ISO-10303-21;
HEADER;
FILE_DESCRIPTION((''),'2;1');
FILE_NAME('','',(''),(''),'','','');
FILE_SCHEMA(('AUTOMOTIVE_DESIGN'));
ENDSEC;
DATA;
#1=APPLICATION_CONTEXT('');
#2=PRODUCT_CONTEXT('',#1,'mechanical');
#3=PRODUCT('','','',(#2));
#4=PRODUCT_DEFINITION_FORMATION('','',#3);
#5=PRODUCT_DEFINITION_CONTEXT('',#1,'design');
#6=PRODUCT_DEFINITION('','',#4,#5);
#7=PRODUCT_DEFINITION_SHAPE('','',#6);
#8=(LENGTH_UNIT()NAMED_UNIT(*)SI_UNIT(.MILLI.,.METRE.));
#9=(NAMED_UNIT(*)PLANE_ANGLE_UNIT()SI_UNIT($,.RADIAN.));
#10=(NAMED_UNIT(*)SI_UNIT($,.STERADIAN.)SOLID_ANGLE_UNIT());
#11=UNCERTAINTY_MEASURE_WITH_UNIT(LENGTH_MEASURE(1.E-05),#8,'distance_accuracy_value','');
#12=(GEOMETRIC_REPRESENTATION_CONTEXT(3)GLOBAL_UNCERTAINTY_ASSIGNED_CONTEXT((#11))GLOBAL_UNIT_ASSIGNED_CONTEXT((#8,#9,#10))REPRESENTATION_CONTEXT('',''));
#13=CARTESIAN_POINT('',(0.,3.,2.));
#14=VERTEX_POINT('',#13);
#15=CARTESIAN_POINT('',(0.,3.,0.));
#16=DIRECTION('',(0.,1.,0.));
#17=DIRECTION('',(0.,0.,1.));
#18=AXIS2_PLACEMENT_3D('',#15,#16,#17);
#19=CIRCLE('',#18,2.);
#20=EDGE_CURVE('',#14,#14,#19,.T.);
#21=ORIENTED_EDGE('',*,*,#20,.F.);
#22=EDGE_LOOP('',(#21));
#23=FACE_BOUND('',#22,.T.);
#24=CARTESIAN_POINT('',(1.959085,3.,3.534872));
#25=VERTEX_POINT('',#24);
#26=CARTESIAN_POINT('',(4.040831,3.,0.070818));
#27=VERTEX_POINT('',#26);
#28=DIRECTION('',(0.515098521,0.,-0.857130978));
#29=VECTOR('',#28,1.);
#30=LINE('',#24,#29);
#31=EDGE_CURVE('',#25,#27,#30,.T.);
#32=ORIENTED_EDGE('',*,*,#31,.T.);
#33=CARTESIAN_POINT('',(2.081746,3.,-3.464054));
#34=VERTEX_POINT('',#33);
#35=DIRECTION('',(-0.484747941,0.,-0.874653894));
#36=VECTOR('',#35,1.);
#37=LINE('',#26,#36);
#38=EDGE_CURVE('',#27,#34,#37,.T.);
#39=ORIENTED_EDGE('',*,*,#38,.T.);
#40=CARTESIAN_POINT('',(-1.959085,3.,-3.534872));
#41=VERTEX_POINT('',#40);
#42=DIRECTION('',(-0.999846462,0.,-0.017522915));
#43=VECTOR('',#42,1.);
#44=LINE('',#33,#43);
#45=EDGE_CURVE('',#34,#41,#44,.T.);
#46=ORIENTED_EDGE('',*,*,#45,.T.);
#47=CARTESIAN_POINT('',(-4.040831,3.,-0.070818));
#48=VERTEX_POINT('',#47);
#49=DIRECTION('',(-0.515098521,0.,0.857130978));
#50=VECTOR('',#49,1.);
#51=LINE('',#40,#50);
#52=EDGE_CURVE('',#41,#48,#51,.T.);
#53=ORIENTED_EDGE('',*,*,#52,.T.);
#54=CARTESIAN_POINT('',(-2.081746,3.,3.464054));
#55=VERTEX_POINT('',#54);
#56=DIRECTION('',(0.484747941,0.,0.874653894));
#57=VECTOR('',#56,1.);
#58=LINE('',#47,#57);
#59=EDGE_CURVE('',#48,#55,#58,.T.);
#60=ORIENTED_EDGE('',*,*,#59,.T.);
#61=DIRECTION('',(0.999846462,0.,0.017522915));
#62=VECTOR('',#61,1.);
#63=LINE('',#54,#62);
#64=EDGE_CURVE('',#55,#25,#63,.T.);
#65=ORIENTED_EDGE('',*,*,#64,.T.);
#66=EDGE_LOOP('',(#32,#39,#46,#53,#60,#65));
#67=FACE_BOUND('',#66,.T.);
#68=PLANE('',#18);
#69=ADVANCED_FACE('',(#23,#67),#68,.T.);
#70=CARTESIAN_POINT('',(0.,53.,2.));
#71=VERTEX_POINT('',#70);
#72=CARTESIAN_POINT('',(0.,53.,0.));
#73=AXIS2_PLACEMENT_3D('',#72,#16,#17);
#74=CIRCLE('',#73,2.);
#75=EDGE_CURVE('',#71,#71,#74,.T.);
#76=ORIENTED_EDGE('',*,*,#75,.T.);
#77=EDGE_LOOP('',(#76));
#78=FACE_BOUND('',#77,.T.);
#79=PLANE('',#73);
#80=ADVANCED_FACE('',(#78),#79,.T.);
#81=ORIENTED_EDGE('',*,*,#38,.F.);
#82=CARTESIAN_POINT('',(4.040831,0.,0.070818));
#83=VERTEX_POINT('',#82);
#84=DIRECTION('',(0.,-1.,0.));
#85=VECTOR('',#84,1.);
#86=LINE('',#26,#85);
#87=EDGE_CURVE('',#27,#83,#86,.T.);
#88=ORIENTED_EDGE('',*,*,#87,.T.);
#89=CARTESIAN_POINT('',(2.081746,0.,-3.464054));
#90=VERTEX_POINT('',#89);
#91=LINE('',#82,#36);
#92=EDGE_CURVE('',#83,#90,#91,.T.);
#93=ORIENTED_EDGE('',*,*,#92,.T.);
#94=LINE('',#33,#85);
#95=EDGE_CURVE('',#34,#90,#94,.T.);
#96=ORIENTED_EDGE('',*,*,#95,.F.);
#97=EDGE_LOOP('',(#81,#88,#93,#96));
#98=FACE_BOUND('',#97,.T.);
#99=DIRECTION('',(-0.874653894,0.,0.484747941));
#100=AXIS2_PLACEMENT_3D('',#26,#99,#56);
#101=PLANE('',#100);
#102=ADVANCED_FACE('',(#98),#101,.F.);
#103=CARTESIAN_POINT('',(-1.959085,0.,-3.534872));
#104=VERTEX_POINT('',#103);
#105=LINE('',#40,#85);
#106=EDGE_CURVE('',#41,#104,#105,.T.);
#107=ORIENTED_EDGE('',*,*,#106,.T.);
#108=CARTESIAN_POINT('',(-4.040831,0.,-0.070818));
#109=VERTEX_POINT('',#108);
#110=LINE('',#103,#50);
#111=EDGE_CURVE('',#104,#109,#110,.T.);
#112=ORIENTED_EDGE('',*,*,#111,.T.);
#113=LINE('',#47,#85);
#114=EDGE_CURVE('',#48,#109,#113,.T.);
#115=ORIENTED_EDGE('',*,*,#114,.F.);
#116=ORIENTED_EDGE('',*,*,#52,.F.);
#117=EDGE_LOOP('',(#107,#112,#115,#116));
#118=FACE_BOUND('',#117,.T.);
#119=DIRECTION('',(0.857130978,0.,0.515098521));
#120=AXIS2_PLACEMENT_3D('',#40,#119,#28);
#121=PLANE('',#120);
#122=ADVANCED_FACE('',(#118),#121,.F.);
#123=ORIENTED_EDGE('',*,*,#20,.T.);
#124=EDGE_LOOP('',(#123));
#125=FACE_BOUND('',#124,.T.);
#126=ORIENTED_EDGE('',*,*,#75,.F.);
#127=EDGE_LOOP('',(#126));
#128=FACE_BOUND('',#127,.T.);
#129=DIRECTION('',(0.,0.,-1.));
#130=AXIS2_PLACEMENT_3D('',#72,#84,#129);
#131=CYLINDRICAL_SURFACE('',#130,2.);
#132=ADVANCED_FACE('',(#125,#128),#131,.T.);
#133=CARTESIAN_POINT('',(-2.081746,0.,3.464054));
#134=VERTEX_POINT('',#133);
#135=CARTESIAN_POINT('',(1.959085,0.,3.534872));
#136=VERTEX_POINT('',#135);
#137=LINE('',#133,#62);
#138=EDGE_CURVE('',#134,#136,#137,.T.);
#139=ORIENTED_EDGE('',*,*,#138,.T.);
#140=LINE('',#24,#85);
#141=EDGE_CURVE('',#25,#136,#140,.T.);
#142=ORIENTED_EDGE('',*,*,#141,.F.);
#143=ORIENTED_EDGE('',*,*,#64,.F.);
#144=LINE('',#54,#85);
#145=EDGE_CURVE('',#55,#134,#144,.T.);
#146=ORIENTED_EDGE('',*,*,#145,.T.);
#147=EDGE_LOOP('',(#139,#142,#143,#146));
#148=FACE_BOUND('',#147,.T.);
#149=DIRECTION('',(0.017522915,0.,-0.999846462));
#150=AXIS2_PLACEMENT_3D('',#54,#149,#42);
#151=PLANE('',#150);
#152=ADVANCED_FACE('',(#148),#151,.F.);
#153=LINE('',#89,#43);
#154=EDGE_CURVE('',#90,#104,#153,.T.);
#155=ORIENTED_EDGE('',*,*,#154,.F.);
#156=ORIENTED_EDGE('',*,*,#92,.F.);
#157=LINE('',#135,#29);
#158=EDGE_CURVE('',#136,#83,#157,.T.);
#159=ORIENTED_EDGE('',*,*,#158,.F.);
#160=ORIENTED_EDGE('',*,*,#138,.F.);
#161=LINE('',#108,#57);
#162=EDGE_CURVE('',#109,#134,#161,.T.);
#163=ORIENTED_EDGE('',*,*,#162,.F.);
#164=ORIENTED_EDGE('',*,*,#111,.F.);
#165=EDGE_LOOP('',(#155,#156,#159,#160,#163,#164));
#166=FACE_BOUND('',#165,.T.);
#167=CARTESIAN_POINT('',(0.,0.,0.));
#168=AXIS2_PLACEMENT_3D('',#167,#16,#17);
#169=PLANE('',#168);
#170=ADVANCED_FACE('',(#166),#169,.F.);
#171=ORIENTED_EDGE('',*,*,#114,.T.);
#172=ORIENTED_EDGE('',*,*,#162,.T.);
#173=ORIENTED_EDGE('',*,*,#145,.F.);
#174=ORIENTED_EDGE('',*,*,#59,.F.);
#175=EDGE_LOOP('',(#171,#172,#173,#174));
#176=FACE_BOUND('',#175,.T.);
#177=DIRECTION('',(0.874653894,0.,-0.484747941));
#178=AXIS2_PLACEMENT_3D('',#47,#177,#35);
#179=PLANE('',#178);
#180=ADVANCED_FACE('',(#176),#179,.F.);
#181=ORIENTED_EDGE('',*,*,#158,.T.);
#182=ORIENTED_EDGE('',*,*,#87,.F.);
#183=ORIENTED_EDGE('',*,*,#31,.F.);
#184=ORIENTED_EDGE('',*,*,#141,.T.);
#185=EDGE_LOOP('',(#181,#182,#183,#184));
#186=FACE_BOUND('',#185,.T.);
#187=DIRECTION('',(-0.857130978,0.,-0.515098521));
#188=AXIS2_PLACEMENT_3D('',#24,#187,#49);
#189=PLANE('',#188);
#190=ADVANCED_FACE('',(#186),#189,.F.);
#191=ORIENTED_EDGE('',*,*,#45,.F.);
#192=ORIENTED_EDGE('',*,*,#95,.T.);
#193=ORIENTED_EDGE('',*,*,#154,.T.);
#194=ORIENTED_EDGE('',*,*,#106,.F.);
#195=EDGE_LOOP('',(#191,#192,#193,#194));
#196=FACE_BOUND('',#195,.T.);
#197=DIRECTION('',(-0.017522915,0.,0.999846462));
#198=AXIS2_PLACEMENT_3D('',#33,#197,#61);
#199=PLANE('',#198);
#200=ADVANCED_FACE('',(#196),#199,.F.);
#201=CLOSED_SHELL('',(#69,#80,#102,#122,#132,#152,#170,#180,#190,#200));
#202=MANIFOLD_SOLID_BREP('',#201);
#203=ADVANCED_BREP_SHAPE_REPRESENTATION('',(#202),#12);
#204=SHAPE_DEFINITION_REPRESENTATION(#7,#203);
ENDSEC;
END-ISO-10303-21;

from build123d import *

# Parameters (mm, degrees)
BOSS_EXTRUDE1_DEPTH = 3
SKETCH2_R           = 2
BOSS_EXTRUDE2_DEPTH = 50


with BuildPart() as part:
    # Sketch1 → Boss-Extrude1 (new body)
    with BuildSketch(Plane(origin=(0, 0, 0), x_dir=(1, 0, 0), z_dir=(0, 1, 0))):
        Polygon((1.95908548, -3.534871627), (4.040831368, -0.07081802), (2.081745888, 3.464053607), (-1.95908548, 3.534871627), (-4.040831368, 0.07081802), (-2.081745888, -3.464053607), align=None)
    extrude(amount=BOSS_EXTRUDE1_DEPTH)

    # Sketch2 → Boss-Extrude2 (add)
    with BuildSketch(Plane(origin=(0, 3, 0), x_dir=(1, 0, 0), z_dir=(0, 1, 0))):
        with Locations(Location((0, 0, 0), (0, 0, 270))):
            Circle(SKETCH2_R)
    extrude(amount=BOSS_EXTRUDE2_DEPTH)


solid = part.part
